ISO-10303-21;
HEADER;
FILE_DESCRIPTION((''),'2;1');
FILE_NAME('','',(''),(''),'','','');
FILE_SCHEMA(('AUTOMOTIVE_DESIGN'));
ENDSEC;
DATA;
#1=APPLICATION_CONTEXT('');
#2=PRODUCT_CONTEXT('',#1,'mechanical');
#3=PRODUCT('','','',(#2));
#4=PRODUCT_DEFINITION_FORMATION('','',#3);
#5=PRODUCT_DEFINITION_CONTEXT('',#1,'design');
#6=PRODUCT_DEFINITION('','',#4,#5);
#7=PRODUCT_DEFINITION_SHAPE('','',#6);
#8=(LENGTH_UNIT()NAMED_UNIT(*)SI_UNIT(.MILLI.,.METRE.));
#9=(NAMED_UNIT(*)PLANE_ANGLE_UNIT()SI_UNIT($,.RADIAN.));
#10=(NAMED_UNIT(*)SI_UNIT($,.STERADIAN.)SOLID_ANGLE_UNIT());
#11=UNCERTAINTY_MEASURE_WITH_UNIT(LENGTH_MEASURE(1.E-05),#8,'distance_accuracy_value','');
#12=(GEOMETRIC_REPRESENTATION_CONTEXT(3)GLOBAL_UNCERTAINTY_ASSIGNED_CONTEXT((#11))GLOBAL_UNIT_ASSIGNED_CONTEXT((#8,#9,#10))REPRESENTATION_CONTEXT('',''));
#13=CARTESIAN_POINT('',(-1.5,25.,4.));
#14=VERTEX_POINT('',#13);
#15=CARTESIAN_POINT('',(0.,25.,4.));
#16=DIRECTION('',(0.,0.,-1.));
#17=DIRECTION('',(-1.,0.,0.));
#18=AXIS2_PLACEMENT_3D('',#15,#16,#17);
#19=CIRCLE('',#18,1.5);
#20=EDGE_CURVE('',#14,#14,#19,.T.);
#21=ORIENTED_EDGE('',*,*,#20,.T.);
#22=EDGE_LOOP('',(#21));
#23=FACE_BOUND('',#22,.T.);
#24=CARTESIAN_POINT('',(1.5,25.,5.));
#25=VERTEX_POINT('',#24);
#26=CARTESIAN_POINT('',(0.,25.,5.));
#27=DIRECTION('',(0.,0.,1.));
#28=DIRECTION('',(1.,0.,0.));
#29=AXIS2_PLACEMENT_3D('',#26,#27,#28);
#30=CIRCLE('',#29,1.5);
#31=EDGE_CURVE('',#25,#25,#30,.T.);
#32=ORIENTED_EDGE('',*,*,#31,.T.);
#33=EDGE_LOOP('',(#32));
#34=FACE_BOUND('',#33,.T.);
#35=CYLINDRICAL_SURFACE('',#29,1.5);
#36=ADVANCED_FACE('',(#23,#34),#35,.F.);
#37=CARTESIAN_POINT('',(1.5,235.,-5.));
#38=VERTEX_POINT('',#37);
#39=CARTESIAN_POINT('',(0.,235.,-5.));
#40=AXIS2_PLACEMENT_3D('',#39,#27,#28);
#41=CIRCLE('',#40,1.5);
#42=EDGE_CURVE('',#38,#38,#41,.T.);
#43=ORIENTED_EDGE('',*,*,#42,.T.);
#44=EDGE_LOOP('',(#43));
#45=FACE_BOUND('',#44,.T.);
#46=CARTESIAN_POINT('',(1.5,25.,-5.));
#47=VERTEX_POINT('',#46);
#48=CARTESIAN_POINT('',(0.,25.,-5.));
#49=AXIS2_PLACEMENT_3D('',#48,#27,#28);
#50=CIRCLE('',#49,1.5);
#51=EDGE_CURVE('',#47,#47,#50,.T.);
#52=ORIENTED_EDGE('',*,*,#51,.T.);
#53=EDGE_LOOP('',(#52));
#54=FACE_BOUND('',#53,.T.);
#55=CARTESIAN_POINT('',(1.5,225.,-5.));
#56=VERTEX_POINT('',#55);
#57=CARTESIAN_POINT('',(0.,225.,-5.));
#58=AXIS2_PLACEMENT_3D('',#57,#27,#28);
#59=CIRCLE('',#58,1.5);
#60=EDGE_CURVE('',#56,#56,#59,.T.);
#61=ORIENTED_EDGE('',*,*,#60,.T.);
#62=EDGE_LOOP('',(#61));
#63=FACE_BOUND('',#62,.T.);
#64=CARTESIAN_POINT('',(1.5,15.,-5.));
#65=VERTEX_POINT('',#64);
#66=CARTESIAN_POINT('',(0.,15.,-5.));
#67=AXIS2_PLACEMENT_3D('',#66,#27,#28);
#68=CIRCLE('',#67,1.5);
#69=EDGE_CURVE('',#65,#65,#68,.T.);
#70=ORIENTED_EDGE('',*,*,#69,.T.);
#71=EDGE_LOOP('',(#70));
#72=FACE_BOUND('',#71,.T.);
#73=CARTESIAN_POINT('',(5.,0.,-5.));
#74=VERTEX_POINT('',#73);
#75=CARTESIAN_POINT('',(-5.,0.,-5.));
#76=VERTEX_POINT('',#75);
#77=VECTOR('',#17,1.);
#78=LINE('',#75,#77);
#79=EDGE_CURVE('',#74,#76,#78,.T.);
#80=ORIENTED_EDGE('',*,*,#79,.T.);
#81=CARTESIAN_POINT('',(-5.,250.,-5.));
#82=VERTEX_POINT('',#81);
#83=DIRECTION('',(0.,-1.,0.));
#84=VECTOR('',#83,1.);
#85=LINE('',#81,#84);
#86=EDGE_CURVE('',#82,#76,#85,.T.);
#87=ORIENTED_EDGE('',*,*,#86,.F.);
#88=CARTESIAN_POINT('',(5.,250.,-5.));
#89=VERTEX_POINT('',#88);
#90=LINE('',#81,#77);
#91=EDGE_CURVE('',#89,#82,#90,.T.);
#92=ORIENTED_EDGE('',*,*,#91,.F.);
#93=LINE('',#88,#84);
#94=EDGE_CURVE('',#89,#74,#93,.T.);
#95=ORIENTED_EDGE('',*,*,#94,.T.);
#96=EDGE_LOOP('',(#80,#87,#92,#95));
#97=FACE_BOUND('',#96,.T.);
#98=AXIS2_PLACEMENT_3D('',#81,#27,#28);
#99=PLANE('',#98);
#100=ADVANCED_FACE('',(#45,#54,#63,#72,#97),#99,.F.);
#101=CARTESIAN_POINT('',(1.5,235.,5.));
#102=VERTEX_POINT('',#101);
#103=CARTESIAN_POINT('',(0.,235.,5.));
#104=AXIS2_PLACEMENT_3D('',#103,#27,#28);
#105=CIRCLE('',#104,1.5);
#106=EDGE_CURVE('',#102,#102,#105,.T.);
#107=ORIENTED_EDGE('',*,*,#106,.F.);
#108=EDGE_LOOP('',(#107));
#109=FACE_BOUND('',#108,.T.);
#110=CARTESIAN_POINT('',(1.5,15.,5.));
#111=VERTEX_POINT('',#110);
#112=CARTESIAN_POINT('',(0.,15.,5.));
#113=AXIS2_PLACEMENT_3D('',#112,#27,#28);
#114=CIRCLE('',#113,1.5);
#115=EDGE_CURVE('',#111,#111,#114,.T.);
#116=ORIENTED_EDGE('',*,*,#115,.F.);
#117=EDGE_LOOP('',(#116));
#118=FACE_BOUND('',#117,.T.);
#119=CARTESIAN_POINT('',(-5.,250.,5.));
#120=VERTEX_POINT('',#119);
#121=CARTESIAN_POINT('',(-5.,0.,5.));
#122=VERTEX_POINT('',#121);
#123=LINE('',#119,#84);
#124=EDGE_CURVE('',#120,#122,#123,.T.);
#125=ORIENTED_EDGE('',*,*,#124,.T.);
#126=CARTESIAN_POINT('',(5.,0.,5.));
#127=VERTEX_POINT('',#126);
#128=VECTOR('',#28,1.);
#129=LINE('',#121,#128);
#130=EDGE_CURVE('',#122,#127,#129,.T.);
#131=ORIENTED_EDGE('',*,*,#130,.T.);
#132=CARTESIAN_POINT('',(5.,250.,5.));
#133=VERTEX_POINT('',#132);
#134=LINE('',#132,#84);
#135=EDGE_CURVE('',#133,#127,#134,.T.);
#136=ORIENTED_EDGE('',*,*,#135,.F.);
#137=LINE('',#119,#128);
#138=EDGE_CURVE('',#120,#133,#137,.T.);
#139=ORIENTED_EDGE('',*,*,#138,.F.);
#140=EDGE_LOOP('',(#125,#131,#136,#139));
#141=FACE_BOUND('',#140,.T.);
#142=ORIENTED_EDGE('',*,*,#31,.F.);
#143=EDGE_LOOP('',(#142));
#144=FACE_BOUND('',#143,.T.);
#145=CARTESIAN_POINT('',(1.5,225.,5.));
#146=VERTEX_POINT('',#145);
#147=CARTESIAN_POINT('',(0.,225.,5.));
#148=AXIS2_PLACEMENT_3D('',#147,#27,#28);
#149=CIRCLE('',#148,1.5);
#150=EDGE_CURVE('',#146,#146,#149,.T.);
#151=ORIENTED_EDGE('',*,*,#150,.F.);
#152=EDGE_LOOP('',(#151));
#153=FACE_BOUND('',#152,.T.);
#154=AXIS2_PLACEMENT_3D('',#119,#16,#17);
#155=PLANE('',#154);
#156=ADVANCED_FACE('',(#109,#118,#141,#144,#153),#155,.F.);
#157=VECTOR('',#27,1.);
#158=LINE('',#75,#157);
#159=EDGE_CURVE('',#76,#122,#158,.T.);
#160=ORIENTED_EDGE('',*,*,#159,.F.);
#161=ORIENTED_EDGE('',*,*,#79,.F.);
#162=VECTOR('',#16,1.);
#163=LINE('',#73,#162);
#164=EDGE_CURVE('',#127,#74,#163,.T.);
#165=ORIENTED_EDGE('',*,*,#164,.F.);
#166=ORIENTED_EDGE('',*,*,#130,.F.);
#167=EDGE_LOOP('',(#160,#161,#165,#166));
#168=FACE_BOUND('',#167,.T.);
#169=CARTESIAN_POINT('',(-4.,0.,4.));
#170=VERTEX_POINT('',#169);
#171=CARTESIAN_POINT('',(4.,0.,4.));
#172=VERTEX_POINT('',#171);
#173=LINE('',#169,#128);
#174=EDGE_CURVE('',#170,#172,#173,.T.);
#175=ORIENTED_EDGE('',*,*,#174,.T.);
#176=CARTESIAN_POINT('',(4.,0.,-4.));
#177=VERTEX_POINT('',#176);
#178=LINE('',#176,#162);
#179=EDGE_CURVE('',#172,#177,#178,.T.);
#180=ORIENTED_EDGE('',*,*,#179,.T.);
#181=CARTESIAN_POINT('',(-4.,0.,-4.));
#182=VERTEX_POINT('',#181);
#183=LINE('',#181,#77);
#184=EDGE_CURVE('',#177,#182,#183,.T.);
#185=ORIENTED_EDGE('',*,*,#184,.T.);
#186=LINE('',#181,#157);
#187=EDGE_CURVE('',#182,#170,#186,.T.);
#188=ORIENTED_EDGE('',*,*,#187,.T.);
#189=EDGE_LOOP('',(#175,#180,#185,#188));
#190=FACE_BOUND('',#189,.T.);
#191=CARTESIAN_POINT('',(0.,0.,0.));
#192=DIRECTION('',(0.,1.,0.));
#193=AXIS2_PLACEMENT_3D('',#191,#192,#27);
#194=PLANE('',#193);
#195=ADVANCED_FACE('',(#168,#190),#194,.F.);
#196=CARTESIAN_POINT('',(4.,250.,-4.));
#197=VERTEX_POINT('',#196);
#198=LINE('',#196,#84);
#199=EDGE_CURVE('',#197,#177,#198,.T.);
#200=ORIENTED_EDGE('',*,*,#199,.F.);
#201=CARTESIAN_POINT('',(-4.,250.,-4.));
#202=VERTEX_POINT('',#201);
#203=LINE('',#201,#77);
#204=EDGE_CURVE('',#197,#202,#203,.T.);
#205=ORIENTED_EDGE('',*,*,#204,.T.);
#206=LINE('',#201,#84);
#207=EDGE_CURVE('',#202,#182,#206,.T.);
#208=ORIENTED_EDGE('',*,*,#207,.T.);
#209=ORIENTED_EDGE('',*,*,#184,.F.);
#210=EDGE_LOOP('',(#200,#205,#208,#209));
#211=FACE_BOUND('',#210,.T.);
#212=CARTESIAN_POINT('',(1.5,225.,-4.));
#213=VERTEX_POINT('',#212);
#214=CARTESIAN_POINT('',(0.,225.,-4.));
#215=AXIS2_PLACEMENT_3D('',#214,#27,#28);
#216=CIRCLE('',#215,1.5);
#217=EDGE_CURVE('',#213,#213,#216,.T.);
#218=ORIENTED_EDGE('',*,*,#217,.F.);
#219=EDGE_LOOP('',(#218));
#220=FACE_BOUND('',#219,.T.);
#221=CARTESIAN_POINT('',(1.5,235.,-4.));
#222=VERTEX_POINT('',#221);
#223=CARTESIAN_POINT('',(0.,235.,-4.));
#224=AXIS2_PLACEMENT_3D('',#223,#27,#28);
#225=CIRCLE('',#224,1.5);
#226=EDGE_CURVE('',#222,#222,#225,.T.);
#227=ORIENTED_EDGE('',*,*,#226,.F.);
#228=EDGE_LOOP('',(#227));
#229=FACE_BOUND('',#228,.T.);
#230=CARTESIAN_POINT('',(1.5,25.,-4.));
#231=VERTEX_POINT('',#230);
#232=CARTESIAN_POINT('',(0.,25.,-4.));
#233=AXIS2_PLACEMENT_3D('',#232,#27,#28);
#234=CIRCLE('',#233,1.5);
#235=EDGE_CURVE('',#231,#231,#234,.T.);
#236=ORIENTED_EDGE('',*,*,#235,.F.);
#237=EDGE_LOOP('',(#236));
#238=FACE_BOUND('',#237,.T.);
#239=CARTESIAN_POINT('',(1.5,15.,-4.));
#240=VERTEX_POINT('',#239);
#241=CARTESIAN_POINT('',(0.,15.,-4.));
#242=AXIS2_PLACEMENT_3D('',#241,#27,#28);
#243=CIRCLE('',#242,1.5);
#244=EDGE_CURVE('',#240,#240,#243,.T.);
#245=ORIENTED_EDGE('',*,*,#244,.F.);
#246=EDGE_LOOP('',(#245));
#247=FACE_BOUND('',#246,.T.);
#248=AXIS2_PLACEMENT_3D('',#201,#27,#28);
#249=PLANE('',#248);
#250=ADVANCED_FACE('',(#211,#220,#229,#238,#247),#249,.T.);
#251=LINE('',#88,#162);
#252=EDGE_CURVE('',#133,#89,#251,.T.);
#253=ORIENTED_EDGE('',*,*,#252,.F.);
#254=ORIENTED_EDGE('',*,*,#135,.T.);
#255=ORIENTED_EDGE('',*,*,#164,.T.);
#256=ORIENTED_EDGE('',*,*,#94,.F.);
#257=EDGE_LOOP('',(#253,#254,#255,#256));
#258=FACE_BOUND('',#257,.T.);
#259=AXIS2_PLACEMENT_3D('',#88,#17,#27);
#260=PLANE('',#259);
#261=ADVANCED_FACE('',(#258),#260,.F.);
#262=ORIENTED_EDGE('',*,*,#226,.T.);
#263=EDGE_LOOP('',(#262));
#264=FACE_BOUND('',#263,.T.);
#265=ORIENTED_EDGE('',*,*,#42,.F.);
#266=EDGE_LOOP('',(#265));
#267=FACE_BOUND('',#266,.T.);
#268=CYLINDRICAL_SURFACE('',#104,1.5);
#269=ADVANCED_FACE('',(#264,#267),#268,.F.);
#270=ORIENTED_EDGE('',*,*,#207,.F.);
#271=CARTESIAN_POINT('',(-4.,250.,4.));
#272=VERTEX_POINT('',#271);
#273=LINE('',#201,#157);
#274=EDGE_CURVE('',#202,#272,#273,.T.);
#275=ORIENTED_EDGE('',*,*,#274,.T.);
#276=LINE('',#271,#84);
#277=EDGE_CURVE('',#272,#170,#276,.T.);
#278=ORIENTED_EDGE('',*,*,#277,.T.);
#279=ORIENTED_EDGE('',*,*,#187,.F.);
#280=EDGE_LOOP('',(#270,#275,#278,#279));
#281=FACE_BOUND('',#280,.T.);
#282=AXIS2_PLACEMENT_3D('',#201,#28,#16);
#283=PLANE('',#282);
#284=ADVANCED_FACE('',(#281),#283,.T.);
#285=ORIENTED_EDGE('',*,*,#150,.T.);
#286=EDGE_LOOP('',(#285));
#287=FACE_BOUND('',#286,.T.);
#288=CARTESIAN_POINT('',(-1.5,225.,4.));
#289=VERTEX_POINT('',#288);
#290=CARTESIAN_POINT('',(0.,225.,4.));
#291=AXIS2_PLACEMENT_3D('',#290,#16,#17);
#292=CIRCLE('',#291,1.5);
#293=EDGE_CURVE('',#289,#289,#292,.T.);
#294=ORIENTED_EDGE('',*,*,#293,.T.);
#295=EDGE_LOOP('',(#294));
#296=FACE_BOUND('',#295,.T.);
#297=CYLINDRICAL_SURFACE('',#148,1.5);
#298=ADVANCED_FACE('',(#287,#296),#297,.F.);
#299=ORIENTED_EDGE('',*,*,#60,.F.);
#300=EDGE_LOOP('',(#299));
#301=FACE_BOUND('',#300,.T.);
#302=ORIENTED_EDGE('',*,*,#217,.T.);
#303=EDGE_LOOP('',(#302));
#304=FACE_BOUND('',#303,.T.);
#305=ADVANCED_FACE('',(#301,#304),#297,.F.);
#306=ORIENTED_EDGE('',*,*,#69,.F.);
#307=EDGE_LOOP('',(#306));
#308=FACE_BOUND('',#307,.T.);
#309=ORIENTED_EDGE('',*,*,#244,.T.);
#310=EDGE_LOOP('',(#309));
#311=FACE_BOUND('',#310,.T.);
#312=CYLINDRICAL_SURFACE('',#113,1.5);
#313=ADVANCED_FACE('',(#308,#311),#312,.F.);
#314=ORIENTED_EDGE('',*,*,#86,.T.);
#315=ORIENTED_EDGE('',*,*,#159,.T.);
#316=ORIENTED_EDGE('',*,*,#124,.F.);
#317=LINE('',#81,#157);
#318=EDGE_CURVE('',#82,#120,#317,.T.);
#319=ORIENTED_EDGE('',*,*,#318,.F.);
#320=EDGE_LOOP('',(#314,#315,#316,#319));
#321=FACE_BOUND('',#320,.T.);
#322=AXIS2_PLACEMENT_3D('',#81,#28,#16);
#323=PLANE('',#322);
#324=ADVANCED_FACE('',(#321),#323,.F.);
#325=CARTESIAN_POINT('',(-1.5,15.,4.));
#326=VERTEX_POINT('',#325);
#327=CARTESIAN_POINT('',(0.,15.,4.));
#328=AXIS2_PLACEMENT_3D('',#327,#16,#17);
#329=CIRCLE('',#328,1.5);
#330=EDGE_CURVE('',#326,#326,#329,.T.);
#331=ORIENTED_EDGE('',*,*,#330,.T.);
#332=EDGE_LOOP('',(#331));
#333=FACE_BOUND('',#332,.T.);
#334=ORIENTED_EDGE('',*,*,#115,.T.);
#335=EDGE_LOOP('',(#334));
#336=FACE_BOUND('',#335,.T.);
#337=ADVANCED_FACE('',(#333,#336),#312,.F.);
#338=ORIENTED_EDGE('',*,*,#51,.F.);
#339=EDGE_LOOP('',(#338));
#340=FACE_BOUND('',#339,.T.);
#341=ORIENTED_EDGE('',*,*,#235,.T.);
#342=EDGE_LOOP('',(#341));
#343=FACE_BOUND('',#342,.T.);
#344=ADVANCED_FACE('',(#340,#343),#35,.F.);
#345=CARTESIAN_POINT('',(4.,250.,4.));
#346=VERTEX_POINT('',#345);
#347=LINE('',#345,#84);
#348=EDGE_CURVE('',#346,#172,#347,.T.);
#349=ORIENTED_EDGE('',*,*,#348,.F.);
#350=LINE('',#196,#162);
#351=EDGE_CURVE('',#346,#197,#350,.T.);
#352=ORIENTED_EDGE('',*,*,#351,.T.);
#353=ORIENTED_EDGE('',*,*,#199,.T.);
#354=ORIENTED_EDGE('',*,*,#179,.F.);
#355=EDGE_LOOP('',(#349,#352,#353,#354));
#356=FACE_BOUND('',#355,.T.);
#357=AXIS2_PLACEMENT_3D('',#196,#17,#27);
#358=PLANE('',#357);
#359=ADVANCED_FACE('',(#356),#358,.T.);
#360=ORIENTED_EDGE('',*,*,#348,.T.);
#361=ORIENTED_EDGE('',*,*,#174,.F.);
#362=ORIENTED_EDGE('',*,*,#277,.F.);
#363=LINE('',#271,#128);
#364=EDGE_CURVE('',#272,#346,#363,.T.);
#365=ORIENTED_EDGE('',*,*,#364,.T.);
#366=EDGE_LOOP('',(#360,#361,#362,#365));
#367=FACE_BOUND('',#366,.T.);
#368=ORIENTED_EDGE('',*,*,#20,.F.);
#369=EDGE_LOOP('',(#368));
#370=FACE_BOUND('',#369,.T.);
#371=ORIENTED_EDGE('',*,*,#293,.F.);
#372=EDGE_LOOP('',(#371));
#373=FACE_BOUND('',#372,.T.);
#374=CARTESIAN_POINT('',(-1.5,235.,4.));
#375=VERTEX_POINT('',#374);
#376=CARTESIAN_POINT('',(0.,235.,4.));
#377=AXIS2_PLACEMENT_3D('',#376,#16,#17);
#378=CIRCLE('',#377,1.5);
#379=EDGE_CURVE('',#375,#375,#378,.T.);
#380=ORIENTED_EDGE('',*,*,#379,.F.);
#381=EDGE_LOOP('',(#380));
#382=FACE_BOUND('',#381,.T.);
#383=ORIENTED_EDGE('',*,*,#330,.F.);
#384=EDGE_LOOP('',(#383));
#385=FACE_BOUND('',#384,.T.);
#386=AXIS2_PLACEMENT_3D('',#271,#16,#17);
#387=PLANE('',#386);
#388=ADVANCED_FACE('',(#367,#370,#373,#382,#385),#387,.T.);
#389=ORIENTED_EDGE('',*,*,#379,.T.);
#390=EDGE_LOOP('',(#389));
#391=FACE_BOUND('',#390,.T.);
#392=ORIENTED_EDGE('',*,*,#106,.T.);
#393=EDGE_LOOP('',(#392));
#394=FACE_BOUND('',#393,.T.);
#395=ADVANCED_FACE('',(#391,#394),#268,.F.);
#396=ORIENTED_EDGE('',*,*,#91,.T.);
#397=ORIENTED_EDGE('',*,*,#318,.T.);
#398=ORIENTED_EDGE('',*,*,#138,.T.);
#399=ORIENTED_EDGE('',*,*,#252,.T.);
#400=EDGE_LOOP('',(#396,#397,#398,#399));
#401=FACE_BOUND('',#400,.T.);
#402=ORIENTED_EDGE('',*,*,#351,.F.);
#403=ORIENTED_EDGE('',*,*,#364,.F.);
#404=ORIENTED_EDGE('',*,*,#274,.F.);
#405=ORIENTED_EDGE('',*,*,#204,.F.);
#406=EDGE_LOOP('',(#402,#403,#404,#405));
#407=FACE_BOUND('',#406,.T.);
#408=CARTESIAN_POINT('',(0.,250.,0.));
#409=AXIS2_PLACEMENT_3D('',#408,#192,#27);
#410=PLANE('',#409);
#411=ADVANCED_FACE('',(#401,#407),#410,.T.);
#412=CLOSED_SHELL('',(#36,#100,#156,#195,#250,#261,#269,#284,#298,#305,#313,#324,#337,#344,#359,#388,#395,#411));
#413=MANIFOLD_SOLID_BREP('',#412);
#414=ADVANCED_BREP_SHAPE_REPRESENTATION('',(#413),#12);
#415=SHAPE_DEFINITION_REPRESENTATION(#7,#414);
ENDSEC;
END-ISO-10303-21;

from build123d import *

# Parameters (mm, degrees)
SKETCH_1_W            = 10
SKETCH_1_H            = 10
SKETCH_1_W_2          = 8
SKETCH_1_H_2          = 8
EXTRUDE_1_DEPTH       = 250
HOLE_WIZARD_3_0_3_1_D = 3


with BuildPart() as part:
    # 草图1 → 凸台-拉伸1 (new body)
    with BuildSketch(Plane(origin=(0, 0, 0), x_dir=(1, 0, 0), z_dir=(0, 1, 0))):
        Rectangle(SKETCH_1_W, SKETCH_1_H)
        Rectangle(SKETCH_1_W_2, SKETCH_1_H_2, mode=Mode.SUBTRACT)
    extrude(amount=EXTRUDE_1_DEPTH)

    # Ø3.0 (3) 直径孔1 (through all)
    with Locations(Plane.XY.offset(5)):
        with Locations((0, 15), (0, 25)):
            hole_wizard_3_0_3_1 = Hole(HOLE_WIZARD_3_0_3_1_D / 2)

    # 镜向1: Ø3.0 (3) 直径孔1 across plane
    add(hole_wizard_3_0_3_1.mirror(Plane(origin=(0, 125, 0), x_dir=(0, 0, 1), z_dir=(0, -1, 0))), mode=Mode.SUBTRACT)


solid = part.part
